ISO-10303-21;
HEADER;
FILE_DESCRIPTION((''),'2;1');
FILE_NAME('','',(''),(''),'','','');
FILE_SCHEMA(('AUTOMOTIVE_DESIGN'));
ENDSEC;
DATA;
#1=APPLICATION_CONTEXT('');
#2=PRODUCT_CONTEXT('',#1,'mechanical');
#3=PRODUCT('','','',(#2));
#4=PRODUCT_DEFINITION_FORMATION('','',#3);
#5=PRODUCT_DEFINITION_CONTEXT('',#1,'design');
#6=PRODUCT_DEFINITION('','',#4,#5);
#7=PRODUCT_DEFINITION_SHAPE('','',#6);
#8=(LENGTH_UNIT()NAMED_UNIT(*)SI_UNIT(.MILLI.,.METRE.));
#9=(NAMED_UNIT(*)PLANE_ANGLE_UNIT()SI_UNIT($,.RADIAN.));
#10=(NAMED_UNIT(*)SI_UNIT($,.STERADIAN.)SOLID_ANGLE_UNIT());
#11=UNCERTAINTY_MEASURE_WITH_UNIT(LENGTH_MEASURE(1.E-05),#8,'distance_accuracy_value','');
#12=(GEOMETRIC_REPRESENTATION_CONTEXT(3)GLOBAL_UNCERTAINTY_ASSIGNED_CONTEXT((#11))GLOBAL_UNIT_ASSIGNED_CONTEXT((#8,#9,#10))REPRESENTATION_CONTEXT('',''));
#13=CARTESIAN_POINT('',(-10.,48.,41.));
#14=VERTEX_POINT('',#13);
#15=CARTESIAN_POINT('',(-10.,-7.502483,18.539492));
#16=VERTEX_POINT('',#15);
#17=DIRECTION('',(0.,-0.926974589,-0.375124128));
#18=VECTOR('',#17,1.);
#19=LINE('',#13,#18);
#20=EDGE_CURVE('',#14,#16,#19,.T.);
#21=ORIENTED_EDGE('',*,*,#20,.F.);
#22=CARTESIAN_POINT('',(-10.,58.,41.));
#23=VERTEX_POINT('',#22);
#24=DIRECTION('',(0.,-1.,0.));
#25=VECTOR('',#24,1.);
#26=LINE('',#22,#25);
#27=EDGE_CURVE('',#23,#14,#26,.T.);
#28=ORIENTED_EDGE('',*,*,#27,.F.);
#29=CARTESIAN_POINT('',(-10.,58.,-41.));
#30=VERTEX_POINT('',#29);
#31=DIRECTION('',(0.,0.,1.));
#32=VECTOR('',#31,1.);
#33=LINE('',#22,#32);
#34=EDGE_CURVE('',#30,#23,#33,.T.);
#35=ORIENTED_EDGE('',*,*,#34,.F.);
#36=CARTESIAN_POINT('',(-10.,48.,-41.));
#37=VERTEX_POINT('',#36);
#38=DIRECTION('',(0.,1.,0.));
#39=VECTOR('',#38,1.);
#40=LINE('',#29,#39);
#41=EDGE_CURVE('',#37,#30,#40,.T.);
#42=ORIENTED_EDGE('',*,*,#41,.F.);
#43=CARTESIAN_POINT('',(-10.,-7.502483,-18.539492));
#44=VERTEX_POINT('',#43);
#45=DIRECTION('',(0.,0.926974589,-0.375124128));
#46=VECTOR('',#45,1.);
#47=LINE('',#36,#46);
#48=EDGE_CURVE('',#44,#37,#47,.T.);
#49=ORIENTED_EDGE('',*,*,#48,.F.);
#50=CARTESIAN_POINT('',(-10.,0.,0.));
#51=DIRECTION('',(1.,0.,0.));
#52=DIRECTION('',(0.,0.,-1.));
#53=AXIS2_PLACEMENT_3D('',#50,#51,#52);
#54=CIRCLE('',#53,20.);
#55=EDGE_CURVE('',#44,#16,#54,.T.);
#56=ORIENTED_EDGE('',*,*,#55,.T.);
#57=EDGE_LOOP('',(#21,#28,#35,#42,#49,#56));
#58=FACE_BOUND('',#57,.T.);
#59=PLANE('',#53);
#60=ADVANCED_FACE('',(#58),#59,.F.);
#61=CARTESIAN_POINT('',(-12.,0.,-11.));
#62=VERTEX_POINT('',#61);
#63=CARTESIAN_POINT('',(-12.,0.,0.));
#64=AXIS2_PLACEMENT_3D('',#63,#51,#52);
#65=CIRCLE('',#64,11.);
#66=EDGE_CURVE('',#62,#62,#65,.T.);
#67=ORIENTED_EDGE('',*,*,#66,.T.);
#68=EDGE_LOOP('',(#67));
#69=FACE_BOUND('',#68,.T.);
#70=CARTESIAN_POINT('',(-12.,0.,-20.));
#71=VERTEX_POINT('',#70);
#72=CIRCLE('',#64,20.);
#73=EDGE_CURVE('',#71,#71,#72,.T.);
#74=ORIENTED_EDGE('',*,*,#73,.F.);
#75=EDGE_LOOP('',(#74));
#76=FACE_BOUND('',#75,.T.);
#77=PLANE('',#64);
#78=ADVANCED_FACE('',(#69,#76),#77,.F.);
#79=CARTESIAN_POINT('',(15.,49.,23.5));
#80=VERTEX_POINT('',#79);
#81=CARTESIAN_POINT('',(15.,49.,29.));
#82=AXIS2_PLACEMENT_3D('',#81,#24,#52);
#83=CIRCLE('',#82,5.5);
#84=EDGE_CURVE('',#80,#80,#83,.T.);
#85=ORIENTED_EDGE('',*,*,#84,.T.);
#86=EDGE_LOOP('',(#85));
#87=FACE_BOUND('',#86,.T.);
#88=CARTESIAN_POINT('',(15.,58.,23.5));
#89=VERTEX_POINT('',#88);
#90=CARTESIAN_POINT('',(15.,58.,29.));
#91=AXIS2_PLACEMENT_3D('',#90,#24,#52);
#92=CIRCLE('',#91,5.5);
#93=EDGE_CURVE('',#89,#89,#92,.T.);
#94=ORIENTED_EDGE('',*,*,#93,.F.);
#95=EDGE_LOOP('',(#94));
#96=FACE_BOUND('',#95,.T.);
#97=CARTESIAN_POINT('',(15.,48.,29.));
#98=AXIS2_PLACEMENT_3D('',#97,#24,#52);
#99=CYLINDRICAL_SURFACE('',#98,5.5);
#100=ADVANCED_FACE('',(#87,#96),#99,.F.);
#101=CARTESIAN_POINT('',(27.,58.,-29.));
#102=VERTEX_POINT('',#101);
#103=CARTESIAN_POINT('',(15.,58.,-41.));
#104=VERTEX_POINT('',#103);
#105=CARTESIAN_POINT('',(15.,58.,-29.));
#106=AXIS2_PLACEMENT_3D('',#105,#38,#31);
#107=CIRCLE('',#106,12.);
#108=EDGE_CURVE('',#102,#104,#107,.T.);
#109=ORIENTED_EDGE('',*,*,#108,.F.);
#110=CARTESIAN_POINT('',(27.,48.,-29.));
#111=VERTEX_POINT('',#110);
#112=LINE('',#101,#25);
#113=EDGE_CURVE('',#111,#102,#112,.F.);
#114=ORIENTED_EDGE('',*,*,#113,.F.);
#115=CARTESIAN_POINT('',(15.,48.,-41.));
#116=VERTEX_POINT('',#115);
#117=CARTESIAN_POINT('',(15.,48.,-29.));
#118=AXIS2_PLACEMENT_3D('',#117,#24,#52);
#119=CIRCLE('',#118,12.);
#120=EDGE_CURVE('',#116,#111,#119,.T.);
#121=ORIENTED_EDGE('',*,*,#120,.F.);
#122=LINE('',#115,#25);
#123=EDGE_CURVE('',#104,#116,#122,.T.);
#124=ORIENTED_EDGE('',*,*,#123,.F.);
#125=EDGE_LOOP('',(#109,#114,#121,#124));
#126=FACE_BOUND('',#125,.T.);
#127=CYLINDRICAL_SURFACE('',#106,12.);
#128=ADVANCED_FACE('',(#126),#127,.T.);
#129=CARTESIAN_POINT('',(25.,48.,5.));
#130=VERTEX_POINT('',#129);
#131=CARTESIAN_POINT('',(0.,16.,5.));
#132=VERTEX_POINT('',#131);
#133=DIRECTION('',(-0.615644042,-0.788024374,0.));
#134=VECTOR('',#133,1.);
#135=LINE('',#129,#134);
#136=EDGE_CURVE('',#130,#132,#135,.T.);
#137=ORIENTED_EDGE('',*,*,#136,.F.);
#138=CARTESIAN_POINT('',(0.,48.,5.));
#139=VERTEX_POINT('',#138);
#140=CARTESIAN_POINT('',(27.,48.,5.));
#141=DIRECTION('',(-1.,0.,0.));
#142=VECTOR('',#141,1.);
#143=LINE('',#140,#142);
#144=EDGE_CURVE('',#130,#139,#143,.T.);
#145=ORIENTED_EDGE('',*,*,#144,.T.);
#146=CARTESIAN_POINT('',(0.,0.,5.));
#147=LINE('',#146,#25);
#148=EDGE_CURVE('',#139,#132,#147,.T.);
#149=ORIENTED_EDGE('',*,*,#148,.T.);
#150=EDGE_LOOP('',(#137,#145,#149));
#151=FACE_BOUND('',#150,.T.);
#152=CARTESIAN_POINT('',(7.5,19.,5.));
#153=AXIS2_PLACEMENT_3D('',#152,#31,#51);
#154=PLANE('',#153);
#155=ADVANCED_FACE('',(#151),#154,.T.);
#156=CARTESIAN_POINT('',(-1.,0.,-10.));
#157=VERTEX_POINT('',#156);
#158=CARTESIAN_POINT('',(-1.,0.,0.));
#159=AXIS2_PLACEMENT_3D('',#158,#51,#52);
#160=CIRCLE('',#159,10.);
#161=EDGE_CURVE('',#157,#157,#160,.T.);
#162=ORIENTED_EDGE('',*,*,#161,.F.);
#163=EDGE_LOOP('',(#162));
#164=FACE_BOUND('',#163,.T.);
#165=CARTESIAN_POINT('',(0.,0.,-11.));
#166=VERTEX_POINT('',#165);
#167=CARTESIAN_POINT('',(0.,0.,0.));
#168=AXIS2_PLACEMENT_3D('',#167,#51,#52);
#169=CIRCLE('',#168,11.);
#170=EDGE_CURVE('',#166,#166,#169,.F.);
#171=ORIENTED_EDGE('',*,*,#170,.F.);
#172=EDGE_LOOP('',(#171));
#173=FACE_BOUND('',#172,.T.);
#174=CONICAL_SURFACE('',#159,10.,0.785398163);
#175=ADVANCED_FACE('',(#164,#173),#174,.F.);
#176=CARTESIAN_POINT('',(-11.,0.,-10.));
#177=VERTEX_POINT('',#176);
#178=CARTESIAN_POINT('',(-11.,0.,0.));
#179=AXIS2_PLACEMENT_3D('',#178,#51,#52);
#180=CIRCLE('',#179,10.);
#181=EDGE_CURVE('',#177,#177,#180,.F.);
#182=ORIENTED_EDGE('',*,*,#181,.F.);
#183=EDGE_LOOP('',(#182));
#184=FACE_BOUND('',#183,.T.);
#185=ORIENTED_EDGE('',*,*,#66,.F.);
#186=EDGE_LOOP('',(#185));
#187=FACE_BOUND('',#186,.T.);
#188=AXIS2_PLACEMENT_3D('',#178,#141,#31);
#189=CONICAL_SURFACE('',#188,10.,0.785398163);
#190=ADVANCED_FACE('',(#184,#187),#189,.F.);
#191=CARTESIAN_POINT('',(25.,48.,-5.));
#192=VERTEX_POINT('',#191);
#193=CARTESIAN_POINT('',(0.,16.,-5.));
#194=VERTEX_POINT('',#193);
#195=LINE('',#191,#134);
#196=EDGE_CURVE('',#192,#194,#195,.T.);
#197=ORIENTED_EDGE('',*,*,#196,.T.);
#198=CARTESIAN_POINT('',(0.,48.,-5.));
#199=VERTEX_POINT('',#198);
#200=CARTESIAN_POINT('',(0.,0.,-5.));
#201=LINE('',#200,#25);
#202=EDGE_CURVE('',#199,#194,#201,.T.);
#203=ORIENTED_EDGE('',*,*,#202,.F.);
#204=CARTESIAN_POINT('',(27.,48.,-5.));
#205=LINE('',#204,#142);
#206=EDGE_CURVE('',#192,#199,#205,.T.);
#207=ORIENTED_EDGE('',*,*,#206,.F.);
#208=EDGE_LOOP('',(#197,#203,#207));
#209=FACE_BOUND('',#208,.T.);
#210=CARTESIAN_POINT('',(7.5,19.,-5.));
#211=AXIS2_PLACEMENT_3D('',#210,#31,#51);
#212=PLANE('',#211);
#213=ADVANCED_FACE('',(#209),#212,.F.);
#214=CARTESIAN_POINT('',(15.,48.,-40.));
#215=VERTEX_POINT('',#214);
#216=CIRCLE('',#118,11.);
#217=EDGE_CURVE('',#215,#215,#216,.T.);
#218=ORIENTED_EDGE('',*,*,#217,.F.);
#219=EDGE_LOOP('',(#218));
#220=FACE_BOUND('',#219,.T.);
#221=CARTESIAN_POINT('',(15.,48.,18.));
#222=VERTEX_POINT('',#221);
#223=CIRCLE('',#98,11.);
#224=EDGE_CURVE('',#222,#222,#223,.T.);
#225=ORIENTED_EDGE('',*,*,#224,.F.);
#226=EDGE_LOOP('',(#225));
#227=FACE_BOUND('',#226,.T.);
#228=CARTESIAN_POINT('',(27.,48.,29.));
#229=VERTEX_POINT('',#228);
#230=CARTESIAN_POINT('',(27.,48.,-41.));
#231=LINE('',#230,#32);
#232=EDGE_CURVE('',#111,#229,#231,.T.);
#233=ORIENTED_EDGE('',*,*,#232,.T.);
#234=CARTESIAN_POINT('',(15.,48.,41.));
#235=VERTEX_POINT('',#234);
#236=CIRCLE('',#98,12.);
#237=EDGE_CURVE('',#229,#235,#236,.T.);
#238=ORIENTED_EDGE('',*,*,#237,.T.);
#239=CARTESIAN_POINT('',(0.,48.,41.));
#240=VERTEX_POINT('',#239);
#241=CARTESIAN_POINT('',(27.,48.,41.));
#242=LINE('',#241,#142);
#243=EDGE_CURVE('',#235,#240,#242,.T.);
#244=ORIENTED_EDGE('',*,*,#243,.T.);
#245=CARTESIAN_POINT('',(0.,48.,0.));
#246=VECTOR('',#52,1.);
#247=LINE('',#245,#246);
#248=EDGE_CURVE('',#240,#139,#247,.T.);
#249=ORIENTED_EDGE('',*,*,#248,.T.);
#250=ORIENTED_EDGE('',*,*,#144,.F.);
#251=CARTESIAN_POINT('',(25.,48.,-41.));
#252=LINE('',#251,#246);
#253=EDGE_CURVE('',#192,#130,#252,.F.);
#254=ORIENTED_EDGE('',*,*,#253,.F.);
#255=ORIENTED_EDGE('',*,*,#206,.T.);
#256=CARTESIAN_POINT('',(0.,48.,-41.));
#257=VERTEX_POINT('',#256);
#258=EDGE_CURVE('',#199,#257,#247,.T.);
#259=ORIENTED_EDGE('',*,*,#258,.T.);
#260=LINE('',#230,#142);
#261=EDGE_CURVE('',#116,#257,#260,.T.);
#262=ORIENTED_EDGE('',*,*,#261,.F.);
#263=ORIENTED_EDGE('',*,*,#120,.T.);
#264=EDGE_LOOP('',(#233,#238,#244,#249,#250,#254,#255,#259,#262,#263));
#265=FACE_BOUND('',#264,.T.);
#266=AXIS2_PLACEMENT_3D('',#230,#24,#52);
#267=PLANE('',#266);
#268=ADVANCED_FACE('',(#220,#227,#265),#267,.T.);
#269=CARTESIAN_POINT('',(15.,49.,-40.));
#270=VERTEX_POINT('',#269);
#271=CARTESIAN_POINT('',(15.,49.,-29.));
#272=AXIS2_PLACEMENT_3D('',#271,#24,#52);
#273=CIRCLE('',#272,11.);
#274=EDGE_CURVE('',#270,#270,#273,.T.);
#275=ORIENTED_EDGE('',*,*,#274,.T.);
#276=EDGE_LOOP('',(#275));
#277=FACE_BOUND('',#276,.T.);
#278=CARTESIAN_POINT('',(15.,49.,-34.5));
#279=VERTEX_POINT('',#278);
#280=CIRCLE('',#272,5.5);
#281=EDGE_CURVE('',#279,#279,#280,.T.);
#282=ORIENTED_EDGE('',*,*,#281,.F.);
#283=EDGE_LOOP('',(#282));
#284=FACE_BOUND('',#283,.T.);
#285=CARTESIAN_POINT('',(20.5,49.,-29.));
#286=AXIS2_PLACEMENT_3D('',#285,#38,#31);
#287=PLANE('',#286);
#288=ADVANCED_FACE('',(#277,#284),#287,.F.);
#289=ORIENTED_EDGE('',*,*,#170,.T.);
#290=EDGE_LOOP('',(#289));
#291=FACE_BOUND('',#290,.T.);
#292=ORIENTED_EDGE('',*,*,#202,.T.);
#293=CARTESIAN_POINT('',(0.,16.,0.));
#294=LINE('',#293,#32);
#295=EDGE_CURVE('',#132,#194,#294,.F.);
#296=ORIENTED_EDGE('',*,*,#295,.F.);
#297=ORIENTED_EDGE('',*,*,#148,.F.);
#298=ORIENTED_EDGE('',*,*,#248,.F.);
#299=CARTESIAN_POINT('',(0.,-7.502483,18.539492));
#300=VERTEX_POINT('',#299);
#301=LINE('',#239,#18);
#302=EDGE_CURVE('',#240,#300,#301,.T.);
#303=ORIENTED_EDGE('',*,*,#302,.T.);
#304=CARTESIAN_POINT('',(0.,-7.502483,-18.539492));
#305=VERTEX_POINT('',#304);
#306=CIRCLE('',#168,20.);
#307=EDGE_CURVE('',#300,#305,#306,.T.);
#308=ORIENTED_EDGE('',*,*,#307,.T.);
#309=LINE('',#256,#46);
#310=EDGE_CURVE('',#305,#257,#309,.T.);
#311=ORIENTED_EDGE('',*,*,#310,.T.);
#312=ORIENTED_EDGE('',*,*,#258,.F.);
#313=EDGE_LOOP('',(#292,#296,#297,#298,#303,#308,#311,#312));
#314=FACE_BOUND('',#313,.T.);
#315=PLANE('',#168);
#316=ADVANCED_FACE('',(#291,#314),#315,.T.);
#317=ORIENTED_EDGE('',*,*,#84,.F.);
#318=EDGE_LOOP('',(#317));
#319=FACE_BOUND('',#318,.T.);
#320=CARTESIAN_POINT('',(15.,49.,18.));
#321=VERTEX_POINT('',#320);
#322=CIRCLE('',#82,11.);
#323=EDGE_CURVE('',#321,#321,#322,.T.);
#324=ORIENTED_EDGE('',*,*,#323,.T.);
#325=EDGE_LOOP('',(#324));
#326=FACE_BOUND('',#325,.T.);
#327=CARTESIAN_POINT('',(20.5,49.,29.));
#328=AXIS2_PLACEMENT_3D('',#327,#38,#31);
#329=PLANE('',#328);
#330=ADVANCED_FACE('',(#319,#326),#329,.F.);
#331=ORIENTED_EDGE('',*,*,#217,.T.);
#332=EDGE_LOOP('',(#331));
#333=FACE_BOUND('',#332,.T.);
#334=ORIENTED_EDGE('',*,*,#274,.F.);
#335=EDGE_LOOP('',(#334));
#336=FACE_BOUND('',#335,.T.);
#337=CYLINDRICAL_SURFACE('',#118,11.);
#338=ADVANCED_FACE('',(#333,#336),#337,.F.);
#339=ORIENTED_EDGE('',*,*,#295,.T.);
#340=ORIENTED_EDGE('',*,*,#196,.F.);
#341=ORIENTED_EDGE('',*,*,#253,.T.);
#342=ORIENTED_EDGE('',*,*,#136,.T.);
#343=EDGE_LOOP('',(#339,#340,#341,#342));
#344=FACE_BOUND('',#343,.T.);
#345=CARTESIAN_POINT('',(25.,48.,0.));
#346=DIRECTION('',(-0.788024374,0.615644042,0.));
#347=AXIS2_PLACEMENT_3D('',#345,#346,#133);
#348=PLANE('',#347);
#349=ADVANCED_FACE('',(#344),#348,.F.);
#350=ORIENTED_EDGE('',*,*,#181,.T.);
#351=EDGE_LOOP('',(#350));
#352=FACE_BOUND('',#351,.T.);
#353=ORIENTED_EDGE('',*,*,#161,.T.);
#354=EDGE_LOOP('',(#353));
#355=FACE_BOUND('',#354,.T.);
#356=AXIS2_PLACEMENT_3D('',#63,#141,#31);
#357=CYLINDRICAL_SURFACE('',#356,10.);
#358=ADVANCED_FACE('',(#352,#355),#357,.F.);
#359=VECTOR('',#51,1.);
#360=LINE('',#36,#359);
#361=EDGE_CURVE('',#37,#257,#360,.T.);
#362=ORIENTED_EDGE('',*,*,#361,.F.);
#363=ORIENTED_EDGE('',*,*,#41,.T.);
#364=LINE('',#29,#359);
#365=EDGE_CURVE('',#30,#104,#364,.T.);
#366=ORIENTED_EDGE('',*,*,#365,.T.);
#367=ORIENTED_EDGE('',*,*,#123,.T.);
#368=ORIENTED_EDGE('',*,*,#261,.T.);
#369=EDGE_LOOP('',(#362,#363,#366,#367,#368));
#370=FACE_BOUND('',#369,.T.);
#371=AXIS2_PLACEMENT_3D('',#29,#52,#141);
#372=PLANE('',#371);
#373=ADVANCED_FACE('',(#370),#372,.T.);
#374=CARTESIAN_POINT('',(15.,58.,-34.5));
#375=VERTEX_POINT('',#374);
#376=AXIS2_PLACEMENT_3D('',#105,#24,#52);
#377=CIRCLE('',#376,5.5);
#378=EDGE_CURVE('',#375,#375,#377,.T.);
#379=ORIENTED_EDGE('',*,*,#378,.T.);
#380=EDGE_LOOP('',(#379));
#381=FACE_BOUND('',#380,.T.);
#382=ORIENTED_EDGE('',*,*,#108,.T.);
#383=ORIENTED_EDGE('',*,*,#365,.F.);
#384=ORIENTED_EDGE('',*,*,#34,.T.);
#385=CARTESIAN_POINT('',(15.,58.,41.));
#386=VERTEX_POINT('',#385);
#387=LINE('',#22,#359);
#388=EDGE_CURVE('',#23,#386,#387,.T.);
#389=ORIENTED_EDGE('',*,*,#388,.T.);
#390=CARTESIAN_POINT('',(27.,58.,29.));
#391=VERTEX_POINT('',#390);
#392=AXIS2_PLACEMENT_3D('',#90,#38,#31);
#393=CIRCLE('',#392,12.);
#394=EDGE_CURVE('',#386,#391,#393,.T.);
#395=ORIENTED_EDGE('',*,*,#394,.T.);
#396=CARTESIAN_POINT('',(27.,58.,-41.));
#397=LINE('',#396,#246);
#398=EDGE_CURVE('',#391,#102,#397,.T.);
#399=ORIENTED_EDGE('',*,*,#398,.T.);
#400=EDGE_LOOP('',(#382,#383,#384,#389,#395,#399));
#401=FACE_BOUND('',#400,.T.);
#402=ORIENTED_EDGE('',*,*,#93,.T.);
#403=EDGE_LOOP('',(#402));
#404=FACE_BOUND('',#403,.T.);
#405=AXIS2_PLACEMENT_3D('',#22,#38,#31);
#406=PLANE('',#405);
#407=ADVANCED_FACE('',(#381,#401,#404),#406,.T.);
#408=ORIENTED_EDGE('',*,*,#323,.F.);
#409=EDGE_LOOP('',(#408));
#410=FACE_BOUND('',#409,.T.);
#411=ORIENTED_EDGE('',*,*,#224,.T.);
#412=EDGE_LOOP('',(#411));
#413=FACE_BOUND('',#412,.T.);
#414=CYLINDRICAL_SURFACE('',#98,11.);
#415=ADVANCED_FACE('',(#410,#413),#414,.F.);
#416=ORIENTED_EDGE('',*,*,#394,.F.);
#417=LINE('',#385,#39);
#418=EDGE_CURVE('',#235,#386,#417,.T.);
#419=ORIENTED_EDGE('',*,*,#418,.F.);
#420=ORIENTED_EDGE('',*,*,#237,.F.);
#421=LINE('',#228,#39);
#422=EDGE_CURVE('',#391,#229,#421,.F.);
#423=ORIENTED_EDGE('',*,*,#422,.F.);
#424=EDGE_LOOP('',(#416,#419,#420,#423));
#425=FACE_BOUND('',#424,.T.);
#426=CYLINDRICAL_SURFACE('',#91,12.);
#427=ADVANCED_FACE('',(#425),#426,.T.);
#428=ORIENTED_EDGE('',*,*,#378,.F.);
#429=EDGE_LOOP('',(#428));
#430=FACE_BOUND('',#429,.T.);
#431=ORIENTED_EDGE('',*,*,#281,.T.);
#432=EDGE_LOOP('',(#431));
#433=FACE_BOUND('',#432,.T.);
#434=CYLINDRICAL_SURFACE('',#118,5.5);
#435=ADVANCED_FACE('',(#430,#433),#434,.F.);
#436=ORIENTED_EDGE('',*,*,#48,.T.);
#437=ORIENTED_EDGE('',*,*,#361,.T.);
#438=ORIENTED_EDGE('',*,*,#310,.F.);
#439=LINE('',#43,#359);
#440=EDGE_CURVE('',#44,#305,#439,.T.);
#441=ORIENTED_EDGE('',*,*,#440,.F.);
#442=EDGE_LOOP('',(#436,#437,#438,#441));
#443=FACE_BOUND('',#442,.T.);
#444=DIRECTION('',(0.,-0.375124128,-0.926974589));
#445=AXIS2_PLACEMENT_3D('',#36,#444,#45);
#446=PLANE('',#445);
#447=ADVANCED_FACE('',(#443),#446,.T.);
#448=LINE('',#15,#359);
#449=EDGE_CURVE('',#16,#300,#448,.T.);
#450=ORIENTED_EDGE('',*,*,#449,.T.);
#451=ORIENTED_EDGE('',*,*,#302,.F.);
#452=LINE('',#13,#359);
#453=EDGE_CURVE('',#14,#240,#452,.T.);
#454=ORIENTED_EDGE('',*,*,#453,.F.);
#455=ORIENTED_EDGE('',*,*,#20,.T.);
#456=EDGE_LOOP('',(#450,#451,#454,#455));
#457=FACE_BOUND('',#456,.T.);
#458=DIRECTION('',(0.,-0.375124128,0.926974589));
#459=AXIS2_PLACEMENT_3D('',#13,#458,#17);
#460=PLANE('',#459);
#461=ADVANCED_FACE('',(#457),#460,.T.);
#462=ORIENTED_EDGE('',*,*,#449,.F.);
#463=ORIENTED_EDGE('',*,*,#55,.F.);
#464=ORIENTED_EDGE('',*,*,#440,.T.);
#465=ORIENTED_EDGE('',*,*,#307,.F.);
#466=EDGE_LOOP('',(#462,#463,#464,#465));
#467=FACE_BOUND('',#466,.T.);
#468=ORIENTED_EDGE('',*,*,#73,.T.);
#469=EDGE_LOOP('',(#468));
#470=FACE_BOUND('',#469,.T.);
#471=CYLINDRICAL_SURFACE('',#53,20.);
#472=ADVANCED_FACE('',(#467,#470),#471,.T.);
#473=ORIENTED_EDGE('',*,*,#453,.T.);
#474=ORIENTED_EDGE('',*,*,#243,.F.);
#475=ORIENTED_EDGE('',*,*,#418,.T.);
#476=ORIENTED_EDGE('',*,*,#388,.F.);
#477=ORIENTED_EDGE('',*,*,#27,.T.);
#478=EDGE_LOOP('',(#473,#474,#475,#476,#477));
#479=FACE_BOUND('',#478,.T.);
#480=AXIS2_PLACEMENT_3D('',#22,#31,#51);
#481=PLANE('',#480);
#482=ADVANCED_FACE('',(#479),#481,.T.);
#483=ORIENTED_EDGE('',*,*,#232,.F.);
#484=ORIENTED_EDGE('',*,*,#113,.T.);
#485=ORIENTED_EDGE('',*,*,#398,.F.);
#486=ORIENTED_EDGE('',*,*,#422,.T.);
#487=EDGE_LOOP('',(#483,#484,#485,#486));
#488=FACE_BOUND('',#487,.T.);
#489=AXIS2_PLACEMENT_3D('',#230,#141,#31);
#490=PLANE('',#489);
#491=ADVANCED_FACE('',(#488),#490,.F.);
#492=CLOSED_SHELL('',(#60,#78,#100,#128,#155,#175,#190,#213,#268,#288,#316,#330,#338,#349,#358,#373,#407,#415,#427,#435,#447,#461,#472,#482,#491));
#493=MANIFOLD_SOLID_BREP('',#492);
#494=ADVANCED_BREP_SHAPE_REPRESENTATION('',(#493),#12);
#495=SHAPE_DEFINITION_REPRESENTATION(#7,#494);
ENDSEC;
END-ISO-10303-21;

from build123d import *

# Parameters (mm, degrees)
EXTRUSION1_DEPTH                                = 10
ESQUISSE2_R                                     = 20
EXTRUSION2_DEPTH                                = 12
ESQUISSE3_W                                     = 82
ESQUISSE3_H                                     = 10
EXTRUSION3_DEPTH                                = 37
CONG_1_R                                        = 12
CHAMBRAGE_POUR_VIS_T_TE_CYLINDRIQUE_D           = 11
CHAMBRAGE_POUR_VIS_T_TE_CYLINDRIQUE_CBORE_D     = 22
CHAMBRAGE_POUR_VIS_T_TE_CYLINDRIQUE_CBORE_DEPTH = 1
D_GAGEMENT_M1_61_D                              = 20
NERVURE1_REACH                                  = 77.987
ESQUISSE9_WALL_W                                = 194.58156294
ESQUISSE9_WALL_H                                = 10
CHANFREIN1_SIZE                                 = 1


with BuildPart() as part:
    # Esquisse1 → Extrusion1 (new body)
    with BuildSketch(Plane(origin=(0, 0, 0), x_dir=(0, 0, -1), z_dir=(1, 0, 0))):
        with BuildLine():
            Line((-41, 58), (41, 58))
            Line((41, 58), (41, 48))
            Line((41, 48), (18.539491779, -7.502482561))
            ThreePointArc((18.539491779, -7.502482561), (0, -20), (-18.539491779, -7.502482561))
            Line((-18.539491779, -7.502482561), (-41, 48))
            Line((-41, 48), (-41, 58))
        make_face()
    extrude(amount=-EXTRUSION1_DEPTH)

    # Esquisse2 → Extrusion2 (add)
    with BuildSketch(Plane(origin=(0, 0, 0), x_dir=(0, 0, -1), z_dir=(1, 0, 0))):
        Circle(ESQUISSE2_R)
    extrude(amount=-EXTRUSION2_DEPTH)

    # Esquisse3 → Extrusion3 (add)
    with BuildSketch(Plane.ZY.offset(10)):
        with Locations((0, 53)):
            Rectangle(ESQUISSE3_W, ESQUISSE3_H)
    extrude(amount=-EXTRUSION3_DEPTH)

    # Congé1
    cong_1_edges = [part.edges().sort_by_distance(p)[0] for p in [
        (27, 53, -41),
        (27, 53, 41),
    ]]
    fillet(cong_1_edges, radius=CONG_1_R)

    # Chambrage pour vis à tête cylindrique à 6 pans creux (ou vis CHC) M41 (through all)
    with Locations(Plane.XZ.offset(-48)):
        with Locations((15, 29), (15, -29)):
            CounterBoreHole(CHAMBRAGE_POUR_VIS_T_TE_CYLINDRIQUE_D / 2, CHAMBRAGE_POUR_VIS_T_TE_CYLINDRIQUE_CBORE_D / 2, CHAMBRAGE_POUR_VIS_T_TE_CYLINDRIQUE_CBORE_DEPTH)

    # Dégagement M1.61 (through all)
    with Locations(Plane.ZY.offset(12)):
        with Locations((0, 0)):
            Hole(D_GAGEMENT_M1_61_D / 2)

    # Esquisse9 wall → Nervure1 (add, up to next)
    with BuildSketch(Plane(origin=(12.5, 32, 0), x_dir=(-0.615644041972, -0.788024373725, 0), z_dir=(0.788024373725, -0.615644041972, 0)), mode=Mode.PRIVATE) as nervure1_sk1:
        Rectangle(ESQUISSE9_WALL_W, ESQUISSE9_WALL_H)
    nervure1_tool1 = extrude(nervure1_sk1.sketch, amount=-NERVURE1_REACH, mode=Mode.PRIVATE) - part.part
    add(nervure1_tool1.solids().sort_by_distance((12.5, 32, 0))[0])

    # Chanfrein1
    chanfrein1_edges = [part.edges().sort_by_distance(p)[0] for p in [
        (0, 0, 10),
        (-12, 0, 10),
    ]]
    chamfer(chanfrein1_edges, length=CHANFREIN1_SIZE)


solid = part.part
